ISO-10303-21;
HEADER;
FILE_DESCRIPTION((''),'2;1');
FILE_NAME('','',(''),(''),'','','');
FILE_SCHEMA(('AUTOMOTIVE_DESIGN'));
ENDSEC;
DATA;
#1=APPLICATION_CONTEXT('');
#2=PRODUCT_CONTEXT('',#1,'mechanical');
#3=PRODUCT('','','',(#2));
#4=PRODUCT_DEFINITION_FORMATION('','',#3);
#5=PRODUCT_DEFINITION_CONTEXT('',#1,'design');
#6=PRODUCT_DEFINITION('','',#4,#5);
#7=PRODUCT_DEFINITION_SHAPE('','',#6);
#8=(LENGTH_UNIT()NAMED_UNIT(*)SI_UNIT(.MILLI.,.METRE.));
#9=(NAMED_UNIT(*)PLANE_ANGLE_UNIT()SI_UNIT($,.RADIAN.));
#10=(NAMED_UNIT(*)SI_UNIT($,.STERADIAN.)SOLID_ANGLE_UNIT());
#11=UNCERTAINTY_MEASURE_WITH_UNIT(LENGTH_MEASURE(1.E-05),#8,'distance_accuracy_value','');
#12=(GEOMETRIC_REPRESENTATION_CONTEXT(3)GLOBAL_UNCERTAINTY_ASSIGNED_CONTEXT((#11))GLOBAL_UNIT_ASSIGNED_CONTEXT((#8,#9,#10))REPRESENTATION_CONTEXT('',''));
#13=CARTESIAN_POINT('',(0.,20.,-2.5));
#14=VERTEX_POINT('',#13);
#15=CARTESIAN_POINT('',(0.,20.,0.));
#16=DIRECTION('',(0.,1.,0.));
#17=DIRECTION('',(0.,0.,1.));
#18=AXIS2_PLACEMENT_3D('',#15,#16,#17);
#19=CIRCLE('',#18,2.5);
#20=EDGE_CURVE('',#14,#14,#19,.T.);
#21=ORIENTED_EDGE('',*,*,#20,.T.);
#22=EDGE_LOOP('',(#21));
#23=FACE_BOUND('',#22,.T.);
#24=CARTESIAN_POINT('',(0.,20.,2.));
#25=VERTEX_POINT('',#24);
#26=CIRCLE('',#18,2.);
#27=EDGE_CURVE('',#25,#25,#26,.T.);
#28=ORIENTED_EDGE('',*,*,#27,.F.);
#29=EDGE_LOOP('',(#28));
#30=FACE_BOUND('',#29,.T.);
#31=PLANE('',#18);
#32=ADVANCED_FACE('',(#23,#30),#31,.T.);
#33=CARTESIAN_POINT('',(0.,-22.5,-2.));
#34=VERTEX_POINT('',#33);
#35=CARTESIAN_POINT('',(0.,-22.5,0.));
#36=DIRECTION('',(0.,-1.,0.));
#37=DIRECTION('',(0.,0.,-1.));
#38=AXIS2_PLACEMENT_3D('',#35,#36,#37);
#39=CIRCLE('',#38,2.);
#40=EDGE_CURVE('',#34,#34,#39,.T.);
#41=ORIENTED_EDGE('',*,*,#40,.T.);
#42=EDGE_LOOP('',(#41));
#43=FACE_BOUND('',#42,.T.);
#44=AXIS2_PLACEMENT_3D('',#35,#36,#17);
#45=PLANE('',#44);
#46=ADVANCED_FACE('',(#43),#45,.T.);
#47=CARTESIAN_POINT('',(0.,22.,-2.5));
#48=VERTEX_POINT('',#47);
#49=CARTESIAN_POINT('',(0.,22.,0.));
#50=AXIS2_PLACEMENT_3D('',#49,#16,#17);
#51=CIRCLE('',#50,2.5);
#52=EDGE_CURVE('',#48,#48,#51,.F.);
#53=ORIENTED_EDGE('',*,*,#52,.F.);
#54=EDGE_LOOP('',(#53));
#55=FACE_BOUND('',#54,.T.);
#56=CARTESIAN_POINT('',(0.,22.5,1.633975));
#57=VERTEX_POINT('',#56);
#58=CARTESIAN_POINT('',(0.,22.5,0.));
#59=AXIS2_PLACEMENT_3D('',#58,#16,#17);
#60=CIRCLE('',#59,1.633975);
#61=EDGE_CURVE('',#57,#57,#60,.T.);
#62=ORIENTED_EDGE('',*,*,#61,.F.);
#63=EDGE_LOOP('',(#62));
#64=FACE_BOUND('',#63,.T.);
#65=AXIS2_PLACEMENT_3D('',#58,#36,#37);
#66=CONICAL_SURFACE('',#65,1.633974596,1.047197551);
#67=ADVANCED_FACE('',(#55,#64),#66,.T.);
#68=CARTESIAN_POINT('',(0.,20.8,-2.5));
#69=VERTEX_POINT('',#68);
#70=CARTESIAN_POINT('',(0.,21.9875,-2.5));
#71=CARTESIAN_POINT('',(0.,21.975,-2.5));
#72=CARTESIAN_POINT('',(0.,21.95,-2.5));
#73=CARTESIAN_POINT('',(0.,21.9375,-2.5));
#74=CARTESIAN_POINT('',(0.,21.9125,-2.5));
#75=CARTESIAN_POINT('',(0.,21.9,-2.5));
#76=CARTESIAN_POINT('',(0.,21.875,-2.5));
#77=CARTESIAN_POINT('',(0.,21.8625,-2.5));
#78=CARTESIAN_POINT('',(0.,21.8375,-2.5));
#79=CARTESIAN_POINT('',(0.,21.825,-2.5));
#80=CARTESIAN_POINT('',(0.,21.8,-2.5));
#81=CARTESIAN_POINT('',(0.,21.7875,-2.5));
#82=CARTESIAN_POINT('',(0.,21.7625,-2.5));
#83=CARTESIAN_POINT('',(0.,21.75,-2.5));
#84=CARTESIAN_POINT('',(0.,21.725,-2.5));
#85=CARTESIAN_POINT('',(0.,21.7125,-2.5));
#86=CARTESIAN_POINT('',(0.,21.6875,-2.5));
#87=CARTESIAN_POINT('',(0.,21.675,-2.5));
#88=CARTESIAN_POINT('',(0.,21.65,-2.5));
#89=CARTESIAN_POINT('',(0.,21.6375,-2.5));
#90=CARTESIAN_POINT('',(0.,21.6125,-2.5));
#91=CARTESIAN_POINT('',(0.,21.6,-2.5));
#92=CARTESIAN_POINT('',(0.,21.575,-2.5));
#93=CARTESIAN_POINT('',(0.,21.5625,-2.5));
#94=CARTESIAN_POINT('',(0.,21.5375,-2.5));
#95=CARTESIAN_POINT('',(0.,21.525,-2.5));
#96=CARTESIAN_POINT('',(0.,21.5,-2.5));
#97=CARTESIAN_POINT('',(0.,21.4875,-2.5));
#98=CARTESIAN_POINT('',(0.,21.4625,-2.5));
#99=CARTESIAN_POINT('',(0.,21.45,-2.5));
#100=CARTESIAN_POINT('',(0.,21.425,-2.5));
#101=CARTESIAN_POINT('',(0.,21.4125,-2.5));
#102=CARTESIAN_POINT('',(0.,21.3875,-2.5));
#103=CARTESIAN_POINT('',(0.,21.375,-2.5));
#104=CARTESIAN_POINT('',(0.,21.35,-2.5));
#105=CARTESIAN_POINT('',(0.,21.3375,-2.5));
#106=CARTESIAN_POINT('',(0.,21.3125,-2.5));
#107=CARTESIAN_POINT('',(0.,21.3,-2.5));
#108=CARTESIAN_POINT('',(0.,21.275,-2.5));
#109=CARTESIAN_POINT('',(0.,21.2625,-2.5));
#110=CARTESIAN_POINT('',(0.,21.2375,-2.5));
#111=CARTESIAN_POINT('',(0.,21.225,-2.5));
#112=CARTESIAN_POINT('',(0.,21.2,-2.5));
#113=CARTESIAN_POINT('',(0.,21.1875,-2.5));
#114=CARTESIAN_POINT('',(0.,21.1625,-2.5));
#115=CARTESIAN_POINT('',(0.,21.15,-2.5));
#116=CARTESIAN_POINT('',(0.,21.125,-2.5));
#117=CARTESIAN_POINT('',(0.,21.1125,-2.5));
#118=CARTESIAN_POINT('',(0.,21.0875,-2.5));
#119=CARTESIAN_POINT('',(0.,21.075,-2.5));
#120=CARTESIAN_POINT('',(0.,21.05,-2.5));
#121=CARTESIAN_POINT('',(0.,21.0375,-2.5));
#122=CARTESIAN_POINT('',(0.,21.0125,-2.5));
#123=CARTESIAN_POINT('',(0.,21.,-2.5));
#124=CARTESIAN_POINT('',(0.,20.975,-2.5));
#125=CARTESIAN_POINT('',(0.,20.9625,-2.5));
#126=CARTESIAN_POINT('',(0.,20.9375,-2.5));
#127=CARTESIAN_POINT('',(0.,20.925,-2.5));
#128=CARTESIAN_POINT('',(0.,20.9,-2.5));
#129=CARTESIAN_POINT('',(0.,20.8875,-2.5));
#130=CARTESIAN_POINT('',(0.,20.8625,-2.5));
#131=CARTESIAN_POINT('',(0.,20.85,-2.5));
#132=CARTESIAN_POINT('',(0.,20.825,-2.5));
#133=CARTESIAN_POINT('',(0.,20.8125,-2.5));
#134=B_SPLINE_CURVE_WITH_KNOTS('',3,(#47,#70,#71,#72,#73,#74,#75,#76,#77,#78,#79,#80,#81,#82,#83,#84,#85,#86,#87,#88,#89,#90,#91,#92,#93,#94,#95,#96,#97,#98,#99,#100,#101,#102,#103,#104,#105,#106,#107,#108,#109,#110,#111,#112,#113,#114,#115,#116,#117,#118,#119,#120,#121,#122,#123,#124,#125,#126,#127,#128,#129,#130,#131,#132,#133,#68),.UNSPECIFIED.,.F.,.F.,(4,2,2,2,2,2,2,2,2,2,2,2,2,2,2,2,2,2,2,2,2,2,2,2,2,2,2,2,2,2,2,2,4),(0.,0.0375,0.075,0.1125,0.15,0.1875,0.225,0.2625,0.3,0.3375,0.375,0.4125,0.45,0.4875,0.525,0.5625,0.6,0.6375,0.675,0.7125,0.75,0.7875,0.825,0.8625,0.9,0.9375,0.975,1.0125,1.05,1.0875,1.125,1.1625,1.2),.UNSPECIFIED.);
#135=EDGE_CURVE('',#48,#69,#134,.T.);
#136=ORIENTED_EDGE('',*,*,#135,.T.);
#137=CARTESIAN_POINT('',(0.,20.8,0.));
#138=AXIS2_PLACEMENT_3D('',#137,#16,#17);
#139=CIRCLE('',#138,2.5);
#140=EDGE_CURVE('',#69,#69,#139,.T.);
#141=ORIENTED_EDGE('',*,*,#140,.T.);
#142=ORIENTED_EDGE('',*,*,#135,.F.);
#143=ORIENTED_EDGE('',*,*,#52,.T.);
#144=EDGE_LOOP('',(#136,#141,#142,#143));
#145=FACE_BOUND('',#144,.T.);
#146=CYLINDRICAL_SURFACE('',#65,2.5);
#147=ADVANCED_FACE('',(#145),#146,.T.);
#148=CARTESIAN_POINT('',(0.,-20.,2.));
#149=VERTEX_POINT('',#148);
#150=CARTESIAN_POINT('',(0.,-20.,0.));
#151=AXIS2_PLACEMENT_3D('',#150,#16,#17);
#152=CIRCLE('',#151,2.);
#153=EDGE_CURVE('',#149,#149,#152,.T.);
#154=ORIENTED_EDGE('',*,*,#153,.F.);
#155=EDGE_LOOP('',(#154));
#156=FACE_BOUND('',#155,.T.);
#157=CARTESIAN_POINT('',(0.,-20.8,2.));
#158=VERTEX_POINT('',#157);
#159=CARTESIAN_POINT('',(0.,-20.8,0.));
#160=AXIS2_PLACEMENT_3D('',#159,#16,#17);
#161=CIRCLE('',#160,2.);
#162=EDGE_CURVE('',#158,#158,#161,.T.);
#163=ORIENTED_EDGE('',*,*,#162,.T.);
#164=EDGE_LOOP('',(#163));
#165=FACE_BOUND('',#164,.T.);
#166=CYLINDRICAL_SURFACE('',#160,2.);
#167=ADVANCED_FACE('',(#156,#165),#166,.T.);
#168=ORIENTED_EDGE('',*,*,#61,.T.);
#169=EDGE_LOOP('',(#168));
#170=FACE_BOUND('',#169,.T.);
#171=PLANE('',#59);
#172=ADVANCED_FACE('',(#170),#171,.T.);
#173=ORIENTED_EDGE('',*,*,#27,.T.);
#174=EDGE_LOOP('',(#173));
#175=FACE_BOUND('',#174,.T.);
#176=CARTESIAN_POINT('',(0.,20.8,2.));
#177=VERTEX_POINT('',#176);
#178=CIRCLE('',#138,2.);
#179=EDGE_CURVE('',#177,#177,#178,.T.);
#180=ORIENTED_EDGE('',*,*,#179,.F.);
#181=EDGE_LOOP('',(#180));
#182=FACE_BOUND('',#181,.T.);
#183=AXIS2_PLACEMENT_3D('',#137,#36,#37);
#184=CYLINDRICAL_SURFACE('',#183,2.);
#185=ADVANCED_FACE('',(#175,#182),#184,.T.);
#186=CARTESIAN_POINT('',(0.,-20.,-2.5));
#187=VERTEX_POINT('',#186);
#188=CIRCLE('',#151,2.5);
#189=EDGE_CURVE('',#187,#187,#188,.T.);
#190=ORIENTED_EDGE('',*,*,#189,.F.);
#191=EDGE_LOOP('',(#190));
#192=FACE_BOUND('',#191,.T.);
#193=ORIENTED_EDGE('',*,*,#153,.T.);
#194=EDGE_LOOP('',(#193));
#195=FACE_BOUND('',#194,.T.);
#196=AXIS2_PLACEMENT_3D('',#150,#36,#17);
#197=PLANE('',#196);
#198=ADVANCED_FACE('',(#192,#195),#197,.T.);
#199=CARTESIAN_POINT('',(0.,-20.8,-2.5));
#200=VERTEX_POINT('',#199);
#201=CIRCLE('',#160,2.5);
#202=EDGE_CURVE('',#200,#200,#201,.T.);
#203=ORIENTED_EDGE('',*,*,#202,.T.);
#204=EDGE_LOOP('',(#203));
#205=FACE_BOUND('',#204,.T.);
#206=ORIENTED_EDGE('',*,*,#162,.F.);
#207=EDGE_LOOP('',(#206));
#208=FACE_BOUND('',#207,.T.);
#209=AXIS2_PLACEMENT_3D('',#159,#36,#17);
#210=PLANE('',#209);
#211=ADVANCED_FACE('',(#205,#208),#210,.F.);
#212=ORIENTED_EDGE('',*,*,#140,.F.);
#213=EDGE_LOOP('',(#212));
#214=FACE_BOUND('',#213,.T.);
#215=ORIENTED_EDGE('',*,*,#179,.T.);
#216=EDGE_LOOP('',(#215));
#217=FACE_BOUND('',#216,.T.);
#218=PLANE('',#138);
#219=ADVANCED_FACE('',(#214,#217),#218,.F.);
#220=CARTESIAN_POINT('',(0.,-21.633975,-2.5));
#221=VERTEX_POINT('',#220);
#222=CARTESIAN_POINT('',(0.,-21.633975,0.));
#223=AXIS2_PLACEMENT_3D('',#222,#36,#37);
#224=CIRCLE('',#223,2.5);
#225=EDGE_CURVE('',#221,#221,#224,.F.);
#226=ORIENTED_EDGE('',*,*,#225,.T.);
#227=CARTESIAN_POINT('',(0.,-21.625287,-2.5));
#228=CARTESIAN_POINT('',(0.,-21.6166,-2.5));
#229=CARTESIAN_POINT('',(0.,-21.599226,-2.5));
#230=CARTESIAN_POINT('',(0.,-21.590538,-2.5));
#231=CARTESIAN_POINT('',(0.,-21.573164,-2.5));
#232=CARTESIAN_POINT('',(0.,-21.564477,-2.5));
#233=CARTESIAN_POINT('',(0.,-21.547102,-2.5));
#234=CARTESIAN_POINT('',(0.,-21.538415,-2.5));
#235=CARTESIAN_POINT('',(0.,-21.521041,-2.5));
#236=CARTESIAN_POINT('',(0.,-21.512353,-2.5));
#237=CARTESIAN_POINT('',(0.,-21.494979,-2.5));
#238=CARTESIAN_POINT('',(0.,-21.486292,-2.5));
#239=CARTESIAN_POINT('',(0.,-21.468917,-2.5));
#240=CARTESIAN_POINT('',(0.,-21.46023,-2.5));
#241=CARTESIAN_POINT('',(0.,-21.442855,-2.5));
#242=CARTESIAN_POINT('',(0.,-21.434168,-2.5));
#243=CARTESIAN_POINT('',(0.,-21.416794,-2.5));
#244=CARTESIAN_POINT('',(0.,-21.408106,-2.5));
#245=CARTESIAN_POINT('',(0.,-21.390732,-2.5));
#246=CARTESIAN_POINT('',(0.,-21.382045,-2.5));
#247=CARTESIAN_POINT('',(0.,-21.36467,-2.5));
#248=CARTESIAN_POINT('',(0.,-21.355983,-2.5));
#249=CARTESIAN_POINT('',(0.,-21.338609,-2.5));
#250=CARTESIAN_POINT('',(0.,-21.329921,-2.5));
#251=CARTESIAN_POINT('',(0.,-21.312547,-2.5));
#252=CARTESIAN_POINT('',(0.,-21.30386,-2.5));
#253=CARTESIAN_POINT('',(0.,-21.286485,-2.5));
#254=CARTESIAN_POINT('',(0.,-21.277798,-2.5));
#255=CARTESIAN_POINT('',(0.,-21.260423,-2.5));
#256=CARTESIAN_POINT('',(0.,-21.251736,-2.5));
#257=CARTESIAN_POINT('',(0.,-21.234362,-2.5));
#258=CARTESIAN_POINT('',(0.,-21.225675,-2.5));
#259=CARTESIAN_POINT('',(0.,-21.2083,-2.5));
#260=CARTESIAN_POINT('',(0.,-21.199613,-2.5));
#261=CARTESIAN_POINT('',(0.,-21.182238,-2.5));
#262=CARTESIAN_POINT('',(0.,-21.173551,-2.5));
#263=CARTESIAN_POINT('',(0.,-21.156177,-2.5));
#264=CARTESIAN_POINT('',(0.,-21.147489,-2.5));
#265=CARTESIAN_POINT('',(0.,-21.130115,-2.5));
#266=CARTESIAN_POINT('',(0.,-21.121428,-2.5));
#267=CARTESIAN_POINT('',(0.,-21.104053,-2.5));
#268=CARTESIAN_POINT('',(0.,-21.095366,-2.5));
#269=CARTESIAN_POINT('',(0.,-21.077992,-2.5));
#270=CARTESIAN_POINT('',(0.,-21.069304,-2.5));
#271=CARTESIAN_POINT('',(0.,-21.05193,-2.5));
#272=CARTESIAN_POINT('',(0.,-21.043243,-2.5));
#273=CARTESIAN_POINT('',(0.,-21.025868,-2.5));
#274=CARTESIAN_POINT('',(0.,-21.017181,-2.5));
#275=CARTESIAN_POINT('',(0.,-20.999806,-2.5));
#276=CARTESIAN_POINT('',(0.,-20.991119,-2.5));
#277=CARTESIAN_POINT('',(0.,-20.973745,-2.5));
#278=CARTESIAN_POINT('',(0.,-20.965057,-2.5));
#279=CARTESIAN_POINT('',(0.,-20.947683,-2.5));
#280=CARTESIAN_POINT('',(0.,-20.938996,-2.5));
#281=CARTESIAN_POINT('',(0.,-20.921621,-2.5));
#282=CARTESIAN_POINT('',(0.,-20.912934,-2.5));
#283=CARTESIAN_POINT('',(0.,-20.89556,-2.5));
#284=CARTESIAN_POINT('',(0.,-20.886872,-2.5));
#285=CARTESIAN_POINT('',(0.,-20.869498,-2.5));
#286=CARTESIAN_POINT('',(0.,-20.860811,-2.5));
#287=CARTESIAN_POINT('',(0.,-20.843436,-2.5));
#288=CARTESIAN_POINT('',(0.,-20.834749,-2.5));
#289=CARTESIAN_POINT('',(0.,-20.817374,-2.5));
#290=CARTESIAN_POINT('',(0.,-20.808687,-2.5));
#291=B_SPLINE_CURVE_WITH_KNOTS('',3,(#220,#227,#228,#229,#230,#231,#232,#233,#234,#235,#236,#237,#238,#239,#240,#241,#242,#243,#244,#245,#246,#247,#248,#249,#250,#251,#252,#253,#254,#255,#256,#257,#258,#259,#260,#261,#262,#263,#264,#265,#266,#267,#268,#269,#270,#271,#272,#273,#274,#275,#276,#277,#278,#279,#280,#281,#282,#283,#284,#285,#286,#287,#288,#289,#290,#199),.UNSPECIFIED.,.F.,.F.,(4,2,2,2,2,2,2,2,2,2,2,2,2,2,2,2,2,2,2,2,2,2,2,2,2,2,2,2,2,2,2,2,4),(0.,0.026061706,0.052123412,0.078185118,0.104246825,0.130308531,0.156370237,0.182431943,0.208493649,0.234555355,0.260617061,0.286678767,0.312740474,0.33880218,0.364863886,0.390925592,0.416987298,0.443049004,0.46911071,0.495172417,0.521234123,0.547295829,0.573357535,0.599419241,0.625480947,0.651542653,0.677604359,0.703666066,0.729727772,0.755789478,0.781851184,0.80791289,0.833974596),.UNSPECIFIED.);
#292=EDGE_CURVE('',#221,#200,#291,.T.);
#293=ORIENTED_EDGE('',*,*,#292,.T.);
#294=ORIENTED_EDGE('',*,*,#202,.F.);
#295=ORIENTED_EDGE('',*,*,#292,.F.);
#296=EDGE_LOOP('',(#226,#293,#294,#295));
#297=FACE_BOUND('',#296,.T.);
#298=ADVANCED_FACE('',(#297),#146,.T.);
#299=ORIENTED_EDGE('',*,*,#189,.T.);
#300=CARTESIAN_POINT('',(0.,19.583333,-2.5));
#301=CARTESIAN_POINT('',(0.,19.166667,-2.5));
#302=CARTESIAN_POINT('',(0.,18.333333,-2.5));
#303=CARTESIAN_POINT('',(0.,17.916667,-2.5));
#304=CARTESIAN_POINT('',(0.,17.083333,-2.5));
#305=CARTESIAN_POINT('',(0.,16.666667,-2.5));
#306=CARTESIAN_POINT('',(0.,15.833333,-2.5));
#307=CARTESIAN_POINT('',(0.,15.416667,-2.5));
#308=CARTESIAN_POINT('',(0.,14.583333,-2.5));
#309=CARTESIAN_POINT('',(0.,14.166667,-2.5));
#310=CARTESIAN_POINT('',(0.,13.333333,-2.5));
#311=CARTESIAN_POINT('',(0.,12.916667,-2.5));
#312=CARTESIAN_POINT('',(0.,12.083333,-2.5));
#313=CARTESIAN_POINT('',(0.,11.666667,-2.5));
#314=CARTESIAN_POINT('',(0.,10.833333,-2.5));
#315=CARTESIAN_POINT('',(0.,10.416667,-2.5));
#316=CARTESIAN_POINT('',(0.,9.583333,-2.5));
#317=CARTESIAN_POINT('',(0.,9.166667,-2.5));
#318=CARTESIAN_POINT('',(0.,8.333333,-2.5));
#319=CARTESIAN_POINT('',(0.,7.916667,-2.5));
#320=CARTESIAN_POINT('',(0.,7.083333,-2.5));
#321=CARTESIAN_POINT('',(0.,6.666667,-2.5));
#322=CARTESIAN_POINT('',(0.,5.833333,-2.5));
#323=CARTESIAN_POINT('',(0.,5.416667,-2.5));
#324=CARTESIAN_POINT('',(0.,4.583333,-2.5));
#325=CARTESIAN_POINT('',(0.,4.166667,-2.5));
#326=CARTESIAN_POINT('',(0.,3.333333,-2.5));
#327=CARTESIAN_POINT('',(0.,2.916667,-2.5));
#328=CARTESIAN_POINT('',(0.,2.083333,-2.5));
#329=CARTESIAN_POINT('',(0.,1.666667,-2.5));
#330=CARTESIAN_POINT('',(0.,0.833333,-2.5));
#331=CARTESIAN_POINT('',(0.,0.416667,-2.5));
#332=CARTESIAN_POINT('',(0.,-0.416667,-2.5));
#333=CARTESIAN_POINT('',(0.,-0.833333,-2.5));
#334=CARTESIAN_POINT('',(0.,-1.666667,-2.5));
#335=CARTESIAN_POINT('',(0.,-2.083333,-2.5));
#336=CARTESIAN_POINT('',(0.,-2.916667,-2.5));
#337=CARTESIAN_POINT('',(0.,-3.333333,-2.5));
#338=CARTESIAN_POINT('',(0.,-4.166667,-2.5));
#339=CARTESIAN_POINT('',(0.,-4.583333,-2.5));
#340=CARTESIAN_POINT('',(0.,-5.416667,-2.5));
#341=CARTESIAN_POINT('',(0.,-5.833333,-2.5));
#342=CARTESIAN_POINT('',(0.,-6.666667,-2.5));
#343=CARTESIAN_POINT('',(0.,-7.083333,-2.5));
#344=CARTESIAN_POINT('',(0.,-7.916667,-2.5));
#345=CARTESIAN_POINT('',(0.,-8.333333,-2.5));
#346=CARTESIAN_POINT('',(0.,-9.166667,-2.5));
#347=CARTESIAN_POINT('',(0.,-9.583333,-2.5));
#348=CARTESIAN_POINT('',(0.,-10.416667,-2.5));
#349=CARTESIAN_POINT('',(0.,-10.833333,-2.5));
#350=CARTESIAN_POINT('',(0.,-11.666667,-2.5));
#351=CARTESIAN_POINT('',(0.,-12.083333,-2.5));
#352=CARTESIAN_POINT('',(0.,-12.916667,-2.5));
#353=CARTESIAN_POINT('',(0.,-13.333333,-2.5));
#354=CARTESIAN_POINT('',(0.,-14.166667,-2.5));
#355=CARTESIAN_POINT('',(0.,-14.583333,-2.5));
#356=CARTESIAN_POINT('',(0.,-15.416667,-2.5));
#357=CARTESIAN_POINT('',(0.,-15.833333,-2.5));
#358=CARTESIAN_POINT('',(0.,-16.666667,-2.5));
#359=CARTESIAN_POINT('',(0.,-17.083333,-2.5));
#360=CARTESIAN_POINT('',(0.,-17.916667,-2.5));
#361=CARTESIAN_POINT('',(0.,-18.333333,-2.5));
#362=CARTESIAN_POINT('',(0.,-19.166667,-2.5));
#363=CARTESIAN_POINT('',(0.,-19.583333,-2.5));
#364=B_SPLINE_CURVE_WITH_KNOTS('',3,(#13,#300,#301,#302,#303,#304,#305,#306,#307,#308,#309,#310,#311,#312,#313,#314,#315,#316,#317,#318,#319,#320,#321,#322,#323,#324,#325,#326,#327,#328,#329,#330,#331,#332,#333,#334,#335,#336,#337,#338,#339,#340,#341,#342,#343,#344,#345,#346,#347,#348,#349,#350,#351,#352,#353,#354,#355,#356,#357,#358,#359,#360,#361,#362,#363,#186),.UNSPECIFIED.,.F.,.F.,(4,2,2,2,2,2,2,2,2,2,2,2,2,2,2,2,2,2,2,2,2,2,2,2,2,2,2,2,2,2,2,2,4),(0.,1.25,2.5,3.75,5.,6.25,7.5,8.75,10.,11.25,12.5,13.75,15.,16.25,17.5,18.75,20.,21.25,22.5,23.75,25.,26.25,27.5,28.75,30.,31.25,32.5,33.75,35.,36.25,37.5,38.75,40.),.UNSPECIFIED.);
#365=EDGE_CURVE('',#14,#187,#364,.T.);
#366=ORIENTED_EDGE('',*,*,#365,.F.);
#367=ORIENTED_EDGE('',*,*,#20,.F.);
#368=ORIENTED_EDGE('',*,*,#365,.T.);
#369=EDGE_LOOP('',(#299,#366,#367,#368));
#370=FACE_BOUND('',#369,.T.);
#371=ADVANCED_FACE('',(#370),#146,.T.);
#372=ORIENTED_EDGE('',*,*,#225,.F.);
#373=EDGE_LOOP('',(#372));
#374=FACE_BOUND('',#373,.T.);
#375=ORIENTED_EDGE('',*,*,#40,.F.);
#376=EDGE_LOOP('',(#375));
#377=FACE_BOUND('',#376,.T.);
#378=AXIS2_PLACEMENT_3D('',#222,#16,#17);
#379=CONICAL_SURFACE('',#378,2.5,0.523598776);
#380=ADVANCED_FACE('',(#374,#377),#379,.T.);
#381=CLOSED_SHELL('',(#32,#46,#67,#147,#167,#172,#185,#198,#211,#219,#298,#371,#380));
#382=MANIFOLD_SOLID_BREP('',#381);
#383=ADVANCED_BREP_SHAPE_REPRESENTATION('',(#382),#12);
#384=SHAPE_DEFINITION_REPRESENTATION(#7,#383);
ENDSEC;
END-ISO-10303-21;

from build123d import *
from OCP.BRepFilletAPI import BRepFilletAPI_MakeChamfer

# Parameters (mm, degrees)
SKETCH_1_R          = 2.5
EXTRUDE_2_DEPTH     = 22.5
SKETCH_2_R          = 2.5
SKETCH_2_R_2        = 2
CUT_EXTRUDE_1_DEPTH = 0.8
CHAMFER_3_SIZE      = 0.5
CHAMFER_3_SIZE2     = 0.866025404


with BuildPart() as part:
    # 草图1 → 凸台-拉伸2 (new body)
    with BuildSketch(Plane(origin=(0, 0, 0), x_dir=(1, 0, 0), z_dir=(0, 1, 0))):
        with Locations(Location((0, 0, 0), (0, 0, 90))):
            Circle(SKETCH_1_R)
    extrude_2 = extrude(amount=EXTRUDE_2_DEPTH)

    # 草图2 → 切除-拉伸1 (cut)
    with BuildSketch(Plane(origin=(0, 20, 0), x_dir=(1, 0, 0), z_dir=(0, 1, 0))):
        with Locations(Location((0, 0, 0), (0, 0, 90))):
            Circle(SKETCH_2_R)
        with Locations(Location((0, 0, 0), (0, 0, 270))):
            Circle(SKETCH_2_R_2, mode=Mode.SUBTRACT)
    cut_extrude_1 = extrude(amount=CUT_EXTRUDE_1_DEPTH, mode=Mode.SUBTRACT)

    # 镜向3: 凸台-拉伸2 across plane
    add(extrude_2.mirror(Plane.ZX))

    # 镜向5: 切除-拉伸1 across plane
    add(cut_extrude_1.mirror(Plane.ZX), mode=Mode.SUBTRACT)

    # 倒角3: one chamfer whose edges measure the first distance from different faces: ONE call of the kernel's chamfer builder (chamfer() names one face for all edges)
    chamfer_3_edges_1 = [part.edges().sort_by_distance(p)[0] for p in [
        (0, -22.5, 2.5),
    ]]
    chamfer_3_side_1 = [part.faces().sort_by_distance(p)[0] for p in [
        (0, -22.5, 0),
    ]]
    chamfer_3_edges_2 = [part.edges().sort_by_distance(p)[0] for p in [
        (0, 22.5, 2.5),
    ]]
    chamfer_3_side_2 = [part.faces().sort_by_distance(p)[0] for p in [
        (0, 21.65, 2.5),
    ]]
    chamfer_3 = BRepFilletAPI_MakeChamfer(part.part.solid().wrapped)
    for e in chamfer_3_edges_1:
        chamfer_3.Add(CHAMFER_3_SIZE, CHAMFER_3_SIZE2, e.wrapped, chamfer_3_side_1[0].wrapped)  # the first distance lies on this face
    for e in chamfer_3_edges_2:
        chamfer_3.Add(CHAMFER_3_SIZE, CHAMFER_3_SIZE2, e.wrapped, chamfer_3_side_2[0].wrapped)  # the first distance lies on this face
    add(Compound.cast(chamfer_3.Shape()), mode=Mode.REPLACE)


solid = part.part
